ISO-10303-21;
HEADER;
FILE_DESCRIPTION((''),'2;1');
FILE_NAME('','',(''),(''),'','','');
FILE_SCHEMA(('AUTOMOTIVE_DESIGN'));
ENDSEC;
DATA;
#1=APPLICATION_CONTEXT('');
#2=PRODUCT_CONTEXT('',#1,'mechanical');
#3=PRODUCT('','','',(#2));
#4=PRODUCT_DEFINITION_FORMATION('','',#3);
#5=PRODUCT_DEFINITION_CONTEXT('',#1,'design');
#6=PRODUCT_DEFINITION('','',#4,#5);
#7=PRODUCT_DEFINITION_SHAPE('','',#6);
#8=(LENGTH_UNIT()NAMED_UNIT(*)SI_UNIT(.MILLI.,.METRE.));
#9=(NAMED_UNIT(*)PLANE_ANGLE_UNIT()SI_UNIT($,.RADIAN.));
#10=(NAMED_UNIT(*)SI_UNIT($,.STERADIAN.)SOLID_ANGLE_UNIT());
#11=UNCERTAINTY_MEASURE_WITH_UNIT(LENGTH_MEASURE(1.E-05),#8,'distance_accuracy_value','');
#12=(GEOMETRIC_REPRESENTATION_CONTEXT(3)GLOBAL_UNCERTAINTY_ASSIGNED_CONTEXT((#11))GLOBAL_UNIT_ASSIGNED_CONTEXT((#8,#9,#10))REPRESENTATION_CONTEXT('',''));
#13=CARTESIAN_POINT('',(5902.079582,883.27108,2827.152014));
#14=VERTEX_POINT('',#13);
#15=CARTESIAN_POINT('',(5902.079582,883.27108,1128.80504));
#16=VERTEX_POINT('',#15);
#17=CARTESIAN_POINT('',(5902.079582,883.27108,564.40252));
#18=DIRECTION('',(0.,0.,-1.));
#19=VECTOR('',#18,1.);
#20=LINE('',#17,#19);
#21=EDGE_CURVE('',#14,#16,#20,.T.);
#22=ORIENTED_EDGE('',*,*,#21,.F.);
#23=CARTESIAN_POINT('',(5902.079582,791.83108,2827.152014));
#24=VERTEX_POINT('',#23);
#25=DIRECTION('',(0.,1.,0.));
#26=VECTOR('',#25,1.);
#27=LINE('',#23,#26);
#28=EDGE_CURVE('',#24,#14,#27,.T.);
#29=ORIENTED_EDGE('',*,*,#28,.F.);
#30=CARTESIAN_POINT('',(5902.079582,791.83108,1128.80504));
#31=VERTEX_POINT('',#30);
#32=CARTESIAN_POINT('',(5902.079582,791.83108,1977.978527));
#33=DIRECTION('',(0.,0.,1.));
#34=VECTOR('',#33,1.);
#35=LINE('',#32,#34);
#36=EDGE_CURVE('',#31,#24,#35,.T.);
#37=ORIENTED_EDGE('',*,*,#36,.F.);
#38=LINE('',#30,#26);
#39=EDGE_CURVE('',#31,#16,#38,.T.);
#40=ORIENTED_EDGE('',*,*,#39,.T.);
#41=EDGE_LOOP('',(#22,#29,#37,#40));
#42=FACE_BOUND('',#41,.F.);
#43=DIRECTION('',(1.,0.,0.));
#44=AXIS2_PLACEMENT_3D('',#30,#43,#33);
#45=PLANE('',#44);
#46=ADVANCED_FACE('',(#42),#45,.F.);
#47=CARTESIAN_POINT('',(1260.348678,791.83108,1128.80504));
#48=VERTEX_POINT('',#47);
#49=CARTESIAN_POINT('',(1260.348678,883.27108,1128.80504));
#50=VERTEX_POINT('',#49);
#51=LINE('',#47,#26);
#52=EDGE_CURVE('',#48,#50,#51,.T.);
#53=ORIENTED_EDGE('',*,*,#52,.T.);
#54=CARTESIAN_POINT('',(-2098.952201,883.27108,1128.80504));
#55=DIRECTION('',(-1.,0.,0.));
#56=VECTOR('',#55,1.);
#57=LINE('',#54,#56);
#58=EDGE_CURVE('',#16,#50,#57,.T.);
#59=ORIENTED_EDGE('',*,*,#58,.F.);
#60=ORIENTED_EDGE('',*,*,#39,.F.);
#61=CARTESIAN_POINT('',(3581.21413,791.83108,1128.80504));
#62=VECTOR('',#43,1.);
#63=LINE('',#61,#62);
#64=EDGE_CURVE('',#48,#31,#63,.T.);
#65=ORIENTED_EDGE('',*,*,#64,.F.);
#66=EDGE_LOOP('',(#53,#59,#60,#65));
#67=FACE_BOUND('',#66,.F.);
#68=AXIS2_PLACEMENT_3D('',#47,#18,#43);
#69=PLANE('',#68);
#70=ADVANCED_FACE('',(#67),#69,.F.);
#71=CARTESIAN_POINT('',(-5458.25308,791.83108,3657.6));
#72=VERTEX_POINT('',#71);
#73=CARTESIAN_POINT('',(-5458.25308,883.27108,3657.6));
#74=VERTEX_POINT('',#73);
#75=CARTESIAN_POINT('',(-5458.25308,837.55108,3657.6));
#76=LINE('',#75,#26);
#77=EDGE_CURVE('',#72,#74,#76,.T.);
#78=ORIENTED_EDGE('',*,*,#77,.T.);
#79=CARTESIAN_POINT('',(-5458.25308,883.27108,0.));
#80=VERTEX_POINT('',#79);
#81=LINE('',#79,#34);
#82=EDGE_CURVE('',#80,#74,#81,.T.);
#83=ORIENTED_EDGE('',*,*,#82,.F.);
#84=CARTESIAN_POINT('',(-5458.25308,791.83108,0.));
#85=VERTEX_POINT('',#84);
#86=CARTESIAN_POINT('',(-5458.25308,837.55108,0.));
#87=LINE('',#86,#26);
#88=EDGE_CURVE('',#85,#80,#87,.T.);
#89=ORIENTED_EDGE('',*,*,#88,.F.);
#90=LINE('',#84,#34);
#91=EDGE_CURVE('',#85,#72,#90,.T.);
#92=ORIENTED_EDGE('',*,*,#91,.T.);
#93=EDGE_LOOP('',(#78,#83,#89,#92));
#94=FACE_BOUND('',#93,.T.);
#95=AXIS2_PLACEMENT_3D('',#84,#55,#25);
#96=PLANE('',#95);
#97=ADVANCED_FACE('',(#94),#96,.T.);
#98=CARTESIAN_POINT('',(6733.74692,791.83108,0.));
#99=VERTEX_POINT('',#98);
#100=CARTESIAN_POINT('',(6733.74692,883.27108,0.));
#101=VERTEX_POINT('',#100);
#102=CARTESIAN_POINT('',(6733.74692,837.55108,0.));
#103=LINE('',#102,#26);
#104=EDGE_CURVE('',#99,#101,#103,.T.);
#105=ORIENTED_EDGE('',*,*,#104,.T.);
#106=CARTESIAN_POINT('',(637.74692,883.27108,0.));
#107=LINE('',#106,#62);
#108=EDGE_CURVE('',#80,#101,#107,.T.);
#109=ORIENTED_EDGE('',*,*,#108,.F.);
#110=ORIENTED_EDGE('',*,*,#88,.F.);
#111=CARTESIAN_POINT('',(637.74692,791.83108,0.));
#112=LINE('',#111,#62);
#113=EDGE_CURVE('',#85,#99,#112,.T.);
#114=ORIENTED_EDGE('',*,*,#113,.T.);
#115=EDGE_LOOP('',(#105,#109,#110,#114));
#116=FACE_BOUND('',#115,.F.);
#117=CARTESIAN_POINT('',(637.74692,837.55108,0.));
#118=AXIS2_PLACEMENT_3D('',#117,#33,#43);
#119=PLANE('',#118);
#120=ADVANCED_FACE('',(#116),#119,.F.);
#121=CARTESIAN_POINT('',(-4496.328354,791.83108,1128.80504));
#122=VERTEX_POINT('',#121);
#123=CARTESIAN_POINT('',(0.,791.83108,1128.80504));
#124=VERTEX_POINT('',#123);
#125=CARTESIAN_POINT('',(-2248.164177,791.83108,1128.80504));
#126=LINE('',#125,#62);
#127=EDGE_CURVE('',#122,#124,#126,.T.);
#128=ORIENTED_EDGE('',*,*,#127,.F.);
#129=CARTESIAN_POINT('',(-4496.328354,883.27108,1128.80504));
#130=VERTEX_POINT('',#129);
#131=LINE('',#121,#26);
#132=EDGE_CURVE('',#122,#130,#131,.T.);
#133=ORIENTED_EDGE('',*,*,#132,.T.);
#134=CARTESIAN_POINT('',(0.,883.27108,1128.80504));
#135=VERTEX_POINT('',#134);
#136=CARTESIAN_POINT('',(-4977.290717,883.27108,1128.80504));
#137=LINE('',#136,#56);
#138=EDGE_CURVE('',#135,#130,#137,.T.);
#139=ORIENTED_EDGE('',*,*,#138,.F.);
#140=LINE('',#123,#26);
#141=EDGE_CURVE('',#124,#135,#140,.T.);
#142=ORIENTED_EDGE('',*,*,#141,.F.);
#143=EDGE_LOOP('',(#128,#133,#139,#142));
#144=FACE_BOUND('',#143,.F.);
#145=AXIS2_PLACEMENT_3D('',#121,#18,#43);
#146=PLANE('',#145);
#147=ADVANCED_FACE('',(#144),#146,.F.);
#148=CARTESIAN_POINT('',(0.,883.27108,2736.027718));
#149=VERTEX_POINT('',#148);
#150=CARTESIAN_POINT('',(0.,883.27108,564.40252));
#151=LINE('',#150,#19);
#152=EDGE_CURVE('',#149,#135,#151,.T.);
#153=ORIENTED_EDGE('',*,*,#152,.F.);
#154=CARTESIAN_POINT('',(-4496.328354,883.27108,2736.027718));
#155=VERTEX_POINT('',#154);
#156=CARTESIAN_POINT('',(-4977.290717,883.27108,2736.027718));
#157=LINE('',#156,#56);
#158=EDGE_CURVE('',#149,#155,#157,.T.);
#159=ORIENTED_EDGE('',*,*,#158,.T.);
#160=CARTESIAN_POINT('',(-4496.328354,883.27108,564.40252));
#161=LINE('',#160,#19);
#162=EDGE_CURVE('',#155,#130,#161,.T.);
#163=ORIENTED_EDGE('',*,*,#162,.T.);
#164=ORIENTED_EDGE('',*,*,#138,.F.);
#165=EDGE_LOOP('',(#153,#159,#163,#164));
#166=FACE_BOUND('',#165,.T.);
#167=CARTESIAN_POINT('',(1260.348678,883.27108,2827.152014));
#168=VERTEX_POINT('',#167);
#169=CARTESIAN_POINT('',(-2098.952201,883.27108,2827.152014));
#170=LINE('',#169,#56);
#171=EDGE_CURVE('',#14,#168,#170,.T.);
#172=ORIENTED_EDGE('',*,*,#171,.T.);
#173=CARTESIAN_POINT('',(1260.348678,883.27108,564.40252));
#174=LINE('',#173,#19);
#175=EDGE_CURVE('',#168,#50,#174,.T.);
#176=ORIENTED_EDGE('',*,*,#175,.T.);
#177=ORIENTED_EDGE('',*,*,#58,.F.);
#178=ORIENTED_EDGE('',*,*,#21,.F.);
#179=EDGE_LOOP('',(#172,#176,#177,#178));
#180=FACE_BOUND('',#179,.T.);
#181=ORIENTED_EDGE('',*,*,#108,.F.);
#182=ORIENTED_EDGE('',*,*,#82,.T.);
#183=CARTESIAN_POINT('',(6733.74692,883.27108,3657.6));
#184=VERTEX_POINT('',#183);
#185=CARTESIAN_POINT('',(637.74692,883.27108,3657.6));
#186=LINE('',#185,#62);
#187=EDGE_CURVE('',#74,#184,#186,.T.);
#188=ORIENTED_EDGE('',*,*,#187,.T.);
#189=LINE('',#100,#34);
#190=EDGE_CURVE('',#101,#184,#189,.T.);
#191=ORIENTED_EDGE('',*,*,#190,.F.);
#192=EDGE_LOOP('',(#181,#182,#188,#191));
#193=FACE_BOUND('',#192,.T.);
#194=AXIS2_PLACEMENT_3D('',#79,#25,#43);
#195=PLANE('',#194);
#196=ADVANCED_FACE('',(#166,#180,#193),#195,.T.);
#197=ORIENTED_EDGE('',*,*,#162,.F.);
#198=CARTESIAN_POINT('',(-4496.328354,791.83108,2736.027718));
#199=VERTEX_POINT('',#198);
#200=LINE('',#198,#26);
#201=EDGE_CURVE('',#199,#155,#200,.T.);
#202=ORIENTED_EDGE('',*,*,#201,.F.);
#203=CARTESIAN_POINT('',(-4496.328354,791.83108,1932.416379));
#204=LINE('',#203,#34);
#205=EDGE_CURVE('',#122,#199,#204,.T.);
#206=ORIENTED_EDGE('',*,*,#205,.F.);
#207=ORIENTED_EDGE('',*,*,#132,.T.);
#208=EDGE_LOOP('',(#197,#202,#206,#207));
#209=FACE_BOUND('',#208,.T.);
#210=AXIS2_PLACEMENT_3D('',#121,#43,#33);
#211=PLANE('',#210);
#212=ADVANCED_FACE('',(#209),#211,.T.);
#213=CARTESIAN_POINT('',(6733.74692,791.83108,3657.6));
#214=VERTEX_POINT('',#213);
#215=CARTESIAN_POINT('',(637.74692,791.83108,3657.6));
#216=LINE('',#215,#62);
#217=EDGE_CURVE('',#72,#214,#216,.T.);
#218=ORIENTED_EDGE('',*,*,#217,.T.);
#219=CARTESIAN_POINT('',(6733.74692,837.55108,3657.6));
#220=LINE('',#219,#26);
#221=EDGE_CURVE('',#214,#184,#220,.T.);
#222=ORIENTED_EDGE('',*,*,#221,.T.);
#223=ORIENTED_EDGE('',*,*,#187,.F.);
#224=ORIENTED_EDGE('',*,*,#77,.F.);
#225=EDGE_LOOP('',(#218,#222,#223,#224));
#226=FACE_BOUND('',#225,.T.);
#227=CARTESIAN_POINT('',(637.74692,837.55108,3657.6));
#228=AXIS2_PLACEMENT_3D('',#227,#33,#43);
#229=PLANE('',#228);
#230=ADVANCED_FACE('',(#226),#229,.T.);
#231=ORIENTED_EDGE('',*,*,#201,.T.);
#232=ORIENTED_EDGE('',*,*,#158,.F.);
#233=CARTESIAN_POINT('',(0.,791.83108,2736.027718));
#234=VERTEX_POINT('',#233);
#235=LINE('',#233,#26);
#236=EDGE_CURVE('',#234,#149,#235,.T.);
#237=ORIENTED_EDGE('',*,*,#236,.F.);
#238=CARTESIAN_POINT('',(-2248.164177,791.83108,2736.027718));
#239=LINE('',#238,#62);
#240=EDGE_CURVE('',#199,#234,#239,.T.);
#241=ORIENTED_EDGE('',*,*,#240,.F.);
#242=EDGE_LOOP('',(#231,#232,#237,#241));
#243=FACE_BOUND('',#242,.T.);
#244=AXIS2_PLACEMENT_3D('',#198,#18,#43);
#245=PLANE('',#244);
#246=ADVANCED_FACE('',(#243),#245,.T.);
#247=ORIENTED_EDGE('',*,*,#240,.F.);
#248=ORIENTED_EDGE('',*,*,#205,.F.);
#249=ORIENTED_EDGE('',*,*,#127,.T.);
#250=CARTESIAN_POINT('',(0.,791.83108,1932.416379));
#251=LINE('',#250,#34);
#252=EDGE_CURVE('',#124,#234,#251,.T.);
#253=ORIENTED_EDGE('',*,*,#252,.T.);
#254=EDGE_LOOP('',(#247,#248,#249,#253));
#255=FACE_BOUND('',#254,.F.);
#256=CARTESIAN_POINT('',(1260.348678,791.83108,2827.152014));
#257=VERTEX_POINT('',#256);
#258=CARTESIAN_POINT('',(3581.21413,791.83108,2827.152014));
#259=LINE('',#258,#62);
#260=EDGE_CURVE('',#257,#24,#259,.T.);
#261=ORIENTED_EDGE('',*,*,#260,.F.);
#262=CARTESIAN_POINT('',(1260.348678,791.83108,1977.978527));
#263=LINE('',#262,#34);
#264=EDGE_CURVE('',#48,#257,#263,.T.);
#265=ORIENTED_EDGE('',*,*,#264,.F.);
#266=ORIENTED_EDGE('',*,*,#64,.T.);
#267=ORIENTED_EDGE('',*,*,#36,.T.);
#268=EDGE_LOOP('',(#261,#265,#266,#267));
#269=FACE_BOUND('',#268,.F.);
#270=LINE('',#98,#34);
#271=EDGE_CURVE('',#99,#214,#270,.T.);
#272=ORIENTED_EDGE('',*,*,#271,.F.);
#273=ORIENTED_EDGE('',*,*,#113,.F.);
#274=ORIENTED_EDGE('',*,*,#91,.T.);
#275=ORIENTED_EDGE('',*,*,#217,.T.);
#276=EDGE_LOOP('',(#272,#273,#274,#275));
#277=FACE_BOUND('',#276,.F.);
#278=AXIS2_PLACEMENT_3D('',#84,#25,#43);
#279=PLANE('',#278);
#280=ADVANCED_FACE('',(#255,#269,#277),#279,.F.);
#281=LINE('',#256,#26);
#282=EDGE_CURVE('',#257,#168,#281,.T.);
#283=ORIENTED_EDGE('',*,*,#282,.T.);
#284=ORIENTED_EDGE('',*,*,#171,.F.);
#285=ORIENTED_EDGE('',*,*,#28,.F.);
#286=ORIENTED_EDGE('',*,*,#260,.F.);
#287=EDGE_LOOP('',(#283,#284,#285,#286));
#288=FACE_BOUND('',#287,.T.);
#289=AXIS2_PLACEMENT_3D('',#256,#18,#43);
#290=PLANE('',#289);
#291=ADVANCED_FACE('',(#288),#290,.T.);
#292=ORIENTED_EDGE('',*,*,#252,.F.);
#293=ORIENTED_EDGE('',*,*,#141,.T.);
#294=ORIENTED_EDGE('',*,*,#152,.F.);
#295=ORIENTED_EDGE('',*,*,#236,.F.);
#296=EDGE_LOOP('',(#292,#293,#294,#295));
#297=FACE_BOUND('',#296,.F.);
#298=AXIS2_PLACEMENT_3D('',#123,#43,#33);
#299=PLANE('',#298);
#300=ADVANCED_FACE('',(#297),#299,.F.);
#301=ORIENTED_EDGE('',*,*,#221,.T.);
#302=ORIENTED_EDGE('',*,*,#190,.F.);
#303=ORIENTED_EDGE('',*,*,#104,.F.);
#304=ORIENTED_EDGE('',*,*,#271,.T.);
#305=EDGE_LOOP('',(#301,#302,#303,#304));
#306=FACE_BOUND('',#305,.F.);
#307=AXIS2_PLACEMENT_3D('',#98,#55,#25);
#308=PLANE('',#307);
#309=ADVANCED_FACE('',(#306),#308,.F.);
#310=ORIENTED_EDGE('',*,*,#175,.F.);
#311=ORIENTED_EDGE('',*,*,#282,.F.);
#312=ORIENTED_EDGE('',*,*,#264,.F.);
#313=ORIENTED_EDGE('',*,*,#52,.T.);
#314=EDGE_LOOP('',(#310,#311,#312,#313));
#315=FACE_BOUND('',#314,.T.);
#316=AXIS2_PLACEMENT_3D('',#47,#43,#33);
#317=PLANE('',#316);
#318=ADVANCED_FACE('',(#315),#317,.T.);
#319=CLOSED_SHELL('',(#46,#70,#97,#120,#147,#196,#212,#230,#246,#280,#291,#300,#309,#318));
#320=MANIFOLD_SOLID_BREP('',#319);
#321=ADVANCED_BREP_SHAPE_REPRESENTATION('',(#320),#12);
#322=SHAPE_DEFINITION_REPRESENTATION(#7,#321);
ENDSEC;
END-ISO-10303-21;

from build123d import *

# Parameters (mm, degrees)
F0_W     = 12192
F0_H     = 91.44
F1_DEPTH = 3657.6
F2_W     = 4496.328354
F2_H     = 1607.222677
F2_W_2   = 4641.730904
F2_H_2   = 1698.346973
F3_DEPTH = 6858


with BuildPart() as f1:
    # F0 (on Top) → F1 (new body)
    with BuildSketch(Plane.XY):
        with Locations((637.74692, 837.55108)):
            Rectangle(F0_W, F0_H)
    extrude(amount=F1_DEPTH)

    # F2 (on face) → F3 (cut)
    with BuildSketch(Plane.XZ.offset(-791.83108)):
        with Locations((-2248.164177, 1932.416379)):
            Rectangle(F2_W, F2_H)
        with Locations((3581.21413, 1977.978527)):
            Rectangle(F2_W_2, F2_H_2)
    extrude(amount=-F3_DEPTH, mode=Mode.SUBTRACT)


solid = f1.part
